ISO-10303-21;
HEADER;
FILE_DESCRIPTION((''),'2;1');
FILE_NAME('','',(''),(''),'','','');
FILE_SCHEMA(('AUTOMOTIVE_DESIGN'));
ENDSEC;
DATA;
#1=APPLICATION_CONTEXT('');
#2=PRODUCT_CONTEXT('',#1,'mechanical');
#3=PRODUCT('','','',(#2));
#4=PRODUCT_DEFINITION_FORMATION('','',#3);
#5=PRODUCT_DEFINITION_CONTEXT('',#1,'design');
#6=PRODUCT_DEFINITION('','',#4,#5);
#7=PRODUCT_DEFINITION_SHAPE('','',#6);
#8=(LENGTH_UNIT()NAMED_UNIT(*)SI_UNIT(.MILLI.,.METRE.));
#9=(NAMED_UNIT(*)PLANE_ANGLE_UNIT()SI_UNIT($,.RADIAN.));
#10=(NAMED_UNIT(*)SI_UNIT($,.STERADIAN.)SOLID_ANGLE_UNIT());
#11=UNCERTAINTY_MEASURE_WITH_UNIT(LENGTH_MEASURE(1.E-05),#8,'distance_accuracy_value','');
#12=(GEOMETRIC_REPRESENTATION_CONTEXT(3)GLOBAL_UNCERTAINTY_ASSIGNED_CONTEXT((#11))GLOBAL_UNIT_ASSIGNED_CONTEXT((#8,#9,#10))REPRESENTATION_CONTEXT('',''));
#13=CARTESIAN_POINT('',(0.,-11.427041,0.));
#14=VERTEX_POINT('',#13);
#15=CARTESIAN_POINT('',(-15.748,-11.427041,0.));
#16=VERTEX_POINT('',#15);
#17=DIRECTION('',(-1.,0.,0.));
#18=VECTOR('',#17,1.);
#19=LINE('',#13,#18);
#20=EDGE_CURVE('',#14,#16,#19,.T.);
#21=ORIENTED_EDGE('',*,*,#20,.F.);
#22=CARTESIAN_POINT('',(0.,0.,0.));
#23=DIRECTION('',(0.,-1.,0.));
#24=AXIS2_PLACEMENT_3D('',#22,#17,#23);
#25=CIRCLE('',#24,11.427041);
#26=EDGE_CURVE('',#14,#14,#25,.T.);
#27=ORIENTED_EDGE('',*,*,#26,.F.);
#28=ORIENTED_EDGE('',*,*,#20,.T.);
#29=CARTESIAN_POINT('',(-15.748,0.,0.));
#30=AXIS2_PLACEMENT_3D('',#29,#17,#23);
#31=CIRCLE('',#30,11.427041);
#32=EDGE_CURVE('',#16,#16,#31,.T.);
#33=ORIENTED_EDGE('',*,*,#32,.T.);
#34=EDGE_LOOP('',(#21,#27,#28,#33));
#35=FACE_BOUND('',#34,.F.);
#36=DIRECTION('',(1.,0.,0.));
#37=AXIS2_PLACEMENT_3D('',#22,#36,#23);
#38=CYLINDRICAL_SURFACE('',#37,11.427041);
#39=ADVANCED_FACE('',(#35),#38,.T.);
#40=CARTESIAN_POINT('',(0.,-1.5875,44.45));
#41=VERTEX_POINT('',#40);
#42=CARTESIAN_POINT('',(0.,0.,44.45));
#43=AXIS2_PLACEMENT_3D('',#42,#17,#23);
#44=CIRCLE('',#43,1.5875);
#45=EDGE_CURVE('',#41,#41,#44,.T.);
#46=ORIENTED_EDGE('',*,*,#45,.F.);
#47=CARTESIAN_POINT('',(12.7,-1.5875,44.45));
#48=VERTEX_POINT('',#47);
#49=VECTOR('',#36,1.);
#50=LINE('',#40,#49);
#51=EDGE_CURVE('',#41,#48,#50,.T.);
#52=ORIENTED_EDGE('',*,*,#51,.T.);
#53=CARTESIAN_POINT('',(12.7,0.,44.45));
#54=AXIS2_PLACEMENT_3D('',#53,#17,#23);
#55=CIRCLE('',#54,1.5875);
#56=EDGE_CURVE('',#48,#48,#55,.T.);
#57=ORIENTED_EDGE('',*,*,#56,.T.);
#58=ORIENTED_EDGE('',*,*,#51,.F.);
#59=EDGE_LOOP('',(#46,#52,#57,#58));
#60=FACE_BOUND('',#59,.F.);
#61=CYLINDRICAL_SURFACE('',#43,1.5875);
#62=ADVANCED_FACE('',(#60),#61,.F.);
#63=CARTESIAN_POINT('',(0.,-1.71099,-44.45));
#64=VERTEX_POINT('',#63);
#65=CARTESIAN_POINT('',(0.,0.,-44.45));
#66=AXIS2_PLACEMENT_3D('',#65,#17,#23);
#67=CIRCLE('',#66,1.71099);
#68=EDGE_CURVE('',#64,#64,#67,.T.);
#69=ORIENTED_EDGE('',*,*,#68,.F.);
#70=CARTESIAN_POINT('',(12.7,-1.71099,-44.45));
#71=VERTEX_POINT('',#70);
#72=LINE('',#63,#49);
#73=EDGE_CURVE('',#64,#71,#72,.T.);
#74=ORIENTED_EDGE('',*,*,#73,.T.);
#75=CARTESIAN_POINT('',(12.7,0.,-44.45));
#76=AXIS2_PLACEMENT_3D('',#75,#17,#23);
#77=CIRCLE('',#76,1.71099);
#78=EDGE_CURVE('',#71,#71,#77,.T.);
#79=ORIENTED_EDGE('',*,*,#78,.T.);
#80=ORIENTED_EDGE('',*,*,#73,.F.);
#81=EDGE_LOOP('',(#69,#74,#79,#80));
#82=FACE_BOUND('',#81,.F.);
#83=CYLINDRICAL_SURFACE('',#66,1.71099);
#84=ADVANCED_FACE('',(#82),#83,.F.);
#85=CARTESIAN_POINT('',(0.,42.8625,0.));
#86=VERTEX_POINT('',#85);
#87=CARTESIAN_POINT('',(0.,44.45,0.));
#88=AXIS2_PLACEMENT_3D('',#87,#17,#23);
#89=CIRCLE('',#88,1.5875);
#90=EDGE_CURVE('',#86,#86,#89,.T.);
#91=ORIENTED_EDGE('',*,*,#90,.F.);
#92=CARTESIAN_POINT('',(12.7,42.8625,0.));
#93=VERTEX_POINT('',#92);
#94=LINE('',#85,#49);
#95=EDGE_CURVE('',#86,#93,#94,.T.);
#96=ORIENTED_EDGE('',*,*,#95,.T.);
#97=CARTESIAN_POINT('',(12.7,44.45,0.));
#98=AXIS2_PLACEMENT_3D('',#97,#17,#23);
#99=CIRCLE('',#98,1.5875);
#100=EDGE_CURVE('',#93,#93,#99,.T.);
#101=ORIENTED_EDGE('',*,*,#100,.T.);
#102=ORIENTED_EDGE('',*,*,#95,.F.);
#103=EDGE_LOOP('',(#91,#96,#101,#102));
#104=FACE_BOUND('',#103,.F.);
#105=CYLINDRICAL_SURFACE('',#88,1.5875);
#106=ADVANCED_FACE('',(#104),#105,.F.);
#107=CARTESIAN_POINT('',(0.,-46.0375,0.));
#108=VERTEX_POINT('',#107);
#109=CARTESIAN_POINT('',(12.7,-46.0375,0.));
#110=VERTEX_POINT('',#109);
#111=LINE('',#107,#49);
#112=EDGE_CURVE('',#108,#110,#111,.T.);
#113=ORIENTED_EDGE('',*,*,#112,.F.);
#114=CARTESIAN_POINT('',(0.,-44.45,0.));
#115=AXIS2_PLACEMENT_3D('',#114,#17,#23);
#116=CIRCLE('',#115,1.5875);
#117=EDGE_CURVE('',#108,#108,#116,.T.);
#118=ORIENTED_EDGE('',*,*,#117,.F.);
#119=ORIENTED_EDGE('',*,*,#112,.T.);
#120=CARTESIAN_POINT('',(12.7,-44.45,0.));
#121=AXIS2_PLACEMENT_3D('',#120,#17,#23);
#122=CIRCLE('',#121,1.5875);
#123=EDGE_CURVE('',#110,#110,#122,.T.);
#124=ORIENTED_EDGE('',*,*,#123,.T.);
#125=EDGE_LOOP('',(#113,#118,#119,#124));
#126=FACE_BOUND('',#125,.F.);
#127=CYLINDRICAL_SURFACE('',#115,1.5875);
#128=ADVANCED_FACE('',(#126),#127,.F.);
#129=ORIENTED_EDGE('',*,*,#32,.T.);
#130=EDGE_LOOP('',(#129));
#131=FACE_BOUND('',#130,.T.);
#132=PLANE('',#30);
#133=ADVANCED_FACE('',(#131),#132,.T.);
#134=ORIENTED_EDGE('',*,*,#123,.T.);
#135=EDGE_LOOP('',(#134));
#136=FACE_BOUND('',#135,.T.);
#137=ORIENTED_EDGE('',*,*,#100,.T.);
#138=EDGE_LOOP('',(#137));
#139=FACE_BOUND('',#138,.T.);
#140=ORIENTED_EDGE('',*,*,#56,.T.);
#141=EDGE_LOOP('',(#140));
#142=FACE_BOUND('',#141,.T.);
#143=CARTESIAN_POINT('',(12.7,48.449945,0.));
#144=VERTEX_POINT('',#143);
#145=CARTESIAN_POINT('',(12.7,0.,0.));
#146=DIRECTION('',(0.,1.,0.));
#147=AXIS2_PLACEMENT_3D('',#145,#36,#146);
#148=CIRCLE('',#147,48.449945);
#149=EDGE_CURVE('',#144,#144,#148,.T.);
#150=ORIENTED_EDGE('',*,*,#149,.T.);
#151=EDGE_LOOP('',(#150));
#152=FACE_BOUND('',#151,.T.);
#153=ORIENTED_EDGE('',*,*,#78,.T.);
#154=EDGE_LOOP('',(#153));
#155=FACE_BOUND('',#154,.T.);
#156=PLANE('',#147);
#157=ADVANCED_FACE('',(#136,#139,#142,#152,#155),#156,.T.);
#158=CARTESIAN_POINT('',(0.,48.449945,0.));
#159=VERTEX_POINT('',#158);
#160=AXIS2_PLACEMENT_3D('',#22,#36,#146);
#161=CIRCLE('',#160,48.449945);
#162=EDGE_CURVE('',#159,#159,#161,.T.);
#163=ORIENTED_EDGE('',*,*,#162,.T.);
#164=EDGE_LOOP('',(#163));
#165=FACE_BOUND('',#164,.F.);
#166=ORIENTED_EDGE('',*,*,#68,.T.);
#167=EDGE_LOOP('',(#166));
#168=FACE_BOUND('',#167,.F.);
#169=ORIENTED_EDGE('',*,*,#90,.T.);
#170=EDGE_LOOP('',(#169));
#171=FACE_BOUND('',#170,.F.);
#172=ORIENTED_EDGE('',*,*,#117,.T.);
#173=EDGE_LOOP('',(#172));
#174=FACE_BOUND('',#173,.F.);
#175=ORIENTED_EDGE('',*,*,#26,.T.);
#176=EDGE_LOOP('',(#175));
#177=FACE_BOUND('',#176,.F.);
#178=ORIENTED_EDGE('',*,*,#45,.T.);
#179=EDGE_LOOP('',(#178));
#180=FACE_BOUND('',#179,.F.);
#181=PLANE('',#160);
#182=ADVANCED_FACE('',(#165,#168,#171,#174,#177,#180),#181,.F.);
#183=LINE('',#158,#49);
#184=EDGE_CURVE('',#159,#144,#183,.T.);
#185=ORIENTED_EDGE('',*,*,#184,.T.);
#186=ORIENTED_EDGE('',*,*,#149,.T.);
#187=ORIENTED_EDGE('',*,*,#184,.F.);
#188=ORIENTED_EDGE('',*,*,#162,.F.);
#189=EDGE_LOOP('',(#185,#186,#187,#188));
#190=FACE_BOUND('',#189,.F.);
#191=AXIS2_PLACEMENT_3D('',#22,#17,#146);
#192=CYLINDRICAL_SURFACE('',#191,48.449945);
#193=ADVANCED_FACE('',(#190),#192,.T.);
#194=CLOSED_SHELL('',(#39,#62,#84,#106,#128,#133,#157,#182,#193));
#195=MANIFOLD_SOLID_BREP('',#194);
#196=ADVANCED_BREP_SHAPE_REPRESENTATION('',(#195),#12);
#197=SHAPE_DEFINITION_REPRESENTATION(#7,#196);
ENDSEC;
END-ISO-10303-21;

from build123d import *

# Parameters (mm, degrees)
F0_R     = 48.449945
F1_DEPTH = 12.7
F2_R     = 11.427041
F3_DEPTH = 15.748
F4_R     = 1.5875
F4_R_2   = 1.71099
F5_DEPTH = 12.7


with BuildPart() as f1:
    # F0 (on Right) → F1 (new body)
    with BuildSketch(Plane.YZ):
        Circle(F0_R)
    extrude(amount=F1_DEPTH)

    # F2 (on face) → F3 (join)
    with BuildSketch(Plane(origin=(0, 0, 0), x_dir=(0, -1, 0), z_dir=(-1, 0, 0))):
        Circle(F2_R)
    extrude(amount=F3_DEPTH)

    # F4 (on face) → F5 (cut)
    with BuildSketch(Plane(origin=(0, 0, 0), x_dir=(0, -1, 0), z_dir=(-1, 0, 0))):
        with Locations((0, 44.45)):
            Circle(F4_R)
        with Locations((0, -44.45)):
            Circle(F4_R_2)
        with Locations((44.45, 0)):
            Circle(F4_R)
        with Locations((-44.45, 0)):
            Circle(F4_R)
    extrude(amount=-F5_DEPTH, mode=Mode.SUBTRACT)


solid = f1.part
